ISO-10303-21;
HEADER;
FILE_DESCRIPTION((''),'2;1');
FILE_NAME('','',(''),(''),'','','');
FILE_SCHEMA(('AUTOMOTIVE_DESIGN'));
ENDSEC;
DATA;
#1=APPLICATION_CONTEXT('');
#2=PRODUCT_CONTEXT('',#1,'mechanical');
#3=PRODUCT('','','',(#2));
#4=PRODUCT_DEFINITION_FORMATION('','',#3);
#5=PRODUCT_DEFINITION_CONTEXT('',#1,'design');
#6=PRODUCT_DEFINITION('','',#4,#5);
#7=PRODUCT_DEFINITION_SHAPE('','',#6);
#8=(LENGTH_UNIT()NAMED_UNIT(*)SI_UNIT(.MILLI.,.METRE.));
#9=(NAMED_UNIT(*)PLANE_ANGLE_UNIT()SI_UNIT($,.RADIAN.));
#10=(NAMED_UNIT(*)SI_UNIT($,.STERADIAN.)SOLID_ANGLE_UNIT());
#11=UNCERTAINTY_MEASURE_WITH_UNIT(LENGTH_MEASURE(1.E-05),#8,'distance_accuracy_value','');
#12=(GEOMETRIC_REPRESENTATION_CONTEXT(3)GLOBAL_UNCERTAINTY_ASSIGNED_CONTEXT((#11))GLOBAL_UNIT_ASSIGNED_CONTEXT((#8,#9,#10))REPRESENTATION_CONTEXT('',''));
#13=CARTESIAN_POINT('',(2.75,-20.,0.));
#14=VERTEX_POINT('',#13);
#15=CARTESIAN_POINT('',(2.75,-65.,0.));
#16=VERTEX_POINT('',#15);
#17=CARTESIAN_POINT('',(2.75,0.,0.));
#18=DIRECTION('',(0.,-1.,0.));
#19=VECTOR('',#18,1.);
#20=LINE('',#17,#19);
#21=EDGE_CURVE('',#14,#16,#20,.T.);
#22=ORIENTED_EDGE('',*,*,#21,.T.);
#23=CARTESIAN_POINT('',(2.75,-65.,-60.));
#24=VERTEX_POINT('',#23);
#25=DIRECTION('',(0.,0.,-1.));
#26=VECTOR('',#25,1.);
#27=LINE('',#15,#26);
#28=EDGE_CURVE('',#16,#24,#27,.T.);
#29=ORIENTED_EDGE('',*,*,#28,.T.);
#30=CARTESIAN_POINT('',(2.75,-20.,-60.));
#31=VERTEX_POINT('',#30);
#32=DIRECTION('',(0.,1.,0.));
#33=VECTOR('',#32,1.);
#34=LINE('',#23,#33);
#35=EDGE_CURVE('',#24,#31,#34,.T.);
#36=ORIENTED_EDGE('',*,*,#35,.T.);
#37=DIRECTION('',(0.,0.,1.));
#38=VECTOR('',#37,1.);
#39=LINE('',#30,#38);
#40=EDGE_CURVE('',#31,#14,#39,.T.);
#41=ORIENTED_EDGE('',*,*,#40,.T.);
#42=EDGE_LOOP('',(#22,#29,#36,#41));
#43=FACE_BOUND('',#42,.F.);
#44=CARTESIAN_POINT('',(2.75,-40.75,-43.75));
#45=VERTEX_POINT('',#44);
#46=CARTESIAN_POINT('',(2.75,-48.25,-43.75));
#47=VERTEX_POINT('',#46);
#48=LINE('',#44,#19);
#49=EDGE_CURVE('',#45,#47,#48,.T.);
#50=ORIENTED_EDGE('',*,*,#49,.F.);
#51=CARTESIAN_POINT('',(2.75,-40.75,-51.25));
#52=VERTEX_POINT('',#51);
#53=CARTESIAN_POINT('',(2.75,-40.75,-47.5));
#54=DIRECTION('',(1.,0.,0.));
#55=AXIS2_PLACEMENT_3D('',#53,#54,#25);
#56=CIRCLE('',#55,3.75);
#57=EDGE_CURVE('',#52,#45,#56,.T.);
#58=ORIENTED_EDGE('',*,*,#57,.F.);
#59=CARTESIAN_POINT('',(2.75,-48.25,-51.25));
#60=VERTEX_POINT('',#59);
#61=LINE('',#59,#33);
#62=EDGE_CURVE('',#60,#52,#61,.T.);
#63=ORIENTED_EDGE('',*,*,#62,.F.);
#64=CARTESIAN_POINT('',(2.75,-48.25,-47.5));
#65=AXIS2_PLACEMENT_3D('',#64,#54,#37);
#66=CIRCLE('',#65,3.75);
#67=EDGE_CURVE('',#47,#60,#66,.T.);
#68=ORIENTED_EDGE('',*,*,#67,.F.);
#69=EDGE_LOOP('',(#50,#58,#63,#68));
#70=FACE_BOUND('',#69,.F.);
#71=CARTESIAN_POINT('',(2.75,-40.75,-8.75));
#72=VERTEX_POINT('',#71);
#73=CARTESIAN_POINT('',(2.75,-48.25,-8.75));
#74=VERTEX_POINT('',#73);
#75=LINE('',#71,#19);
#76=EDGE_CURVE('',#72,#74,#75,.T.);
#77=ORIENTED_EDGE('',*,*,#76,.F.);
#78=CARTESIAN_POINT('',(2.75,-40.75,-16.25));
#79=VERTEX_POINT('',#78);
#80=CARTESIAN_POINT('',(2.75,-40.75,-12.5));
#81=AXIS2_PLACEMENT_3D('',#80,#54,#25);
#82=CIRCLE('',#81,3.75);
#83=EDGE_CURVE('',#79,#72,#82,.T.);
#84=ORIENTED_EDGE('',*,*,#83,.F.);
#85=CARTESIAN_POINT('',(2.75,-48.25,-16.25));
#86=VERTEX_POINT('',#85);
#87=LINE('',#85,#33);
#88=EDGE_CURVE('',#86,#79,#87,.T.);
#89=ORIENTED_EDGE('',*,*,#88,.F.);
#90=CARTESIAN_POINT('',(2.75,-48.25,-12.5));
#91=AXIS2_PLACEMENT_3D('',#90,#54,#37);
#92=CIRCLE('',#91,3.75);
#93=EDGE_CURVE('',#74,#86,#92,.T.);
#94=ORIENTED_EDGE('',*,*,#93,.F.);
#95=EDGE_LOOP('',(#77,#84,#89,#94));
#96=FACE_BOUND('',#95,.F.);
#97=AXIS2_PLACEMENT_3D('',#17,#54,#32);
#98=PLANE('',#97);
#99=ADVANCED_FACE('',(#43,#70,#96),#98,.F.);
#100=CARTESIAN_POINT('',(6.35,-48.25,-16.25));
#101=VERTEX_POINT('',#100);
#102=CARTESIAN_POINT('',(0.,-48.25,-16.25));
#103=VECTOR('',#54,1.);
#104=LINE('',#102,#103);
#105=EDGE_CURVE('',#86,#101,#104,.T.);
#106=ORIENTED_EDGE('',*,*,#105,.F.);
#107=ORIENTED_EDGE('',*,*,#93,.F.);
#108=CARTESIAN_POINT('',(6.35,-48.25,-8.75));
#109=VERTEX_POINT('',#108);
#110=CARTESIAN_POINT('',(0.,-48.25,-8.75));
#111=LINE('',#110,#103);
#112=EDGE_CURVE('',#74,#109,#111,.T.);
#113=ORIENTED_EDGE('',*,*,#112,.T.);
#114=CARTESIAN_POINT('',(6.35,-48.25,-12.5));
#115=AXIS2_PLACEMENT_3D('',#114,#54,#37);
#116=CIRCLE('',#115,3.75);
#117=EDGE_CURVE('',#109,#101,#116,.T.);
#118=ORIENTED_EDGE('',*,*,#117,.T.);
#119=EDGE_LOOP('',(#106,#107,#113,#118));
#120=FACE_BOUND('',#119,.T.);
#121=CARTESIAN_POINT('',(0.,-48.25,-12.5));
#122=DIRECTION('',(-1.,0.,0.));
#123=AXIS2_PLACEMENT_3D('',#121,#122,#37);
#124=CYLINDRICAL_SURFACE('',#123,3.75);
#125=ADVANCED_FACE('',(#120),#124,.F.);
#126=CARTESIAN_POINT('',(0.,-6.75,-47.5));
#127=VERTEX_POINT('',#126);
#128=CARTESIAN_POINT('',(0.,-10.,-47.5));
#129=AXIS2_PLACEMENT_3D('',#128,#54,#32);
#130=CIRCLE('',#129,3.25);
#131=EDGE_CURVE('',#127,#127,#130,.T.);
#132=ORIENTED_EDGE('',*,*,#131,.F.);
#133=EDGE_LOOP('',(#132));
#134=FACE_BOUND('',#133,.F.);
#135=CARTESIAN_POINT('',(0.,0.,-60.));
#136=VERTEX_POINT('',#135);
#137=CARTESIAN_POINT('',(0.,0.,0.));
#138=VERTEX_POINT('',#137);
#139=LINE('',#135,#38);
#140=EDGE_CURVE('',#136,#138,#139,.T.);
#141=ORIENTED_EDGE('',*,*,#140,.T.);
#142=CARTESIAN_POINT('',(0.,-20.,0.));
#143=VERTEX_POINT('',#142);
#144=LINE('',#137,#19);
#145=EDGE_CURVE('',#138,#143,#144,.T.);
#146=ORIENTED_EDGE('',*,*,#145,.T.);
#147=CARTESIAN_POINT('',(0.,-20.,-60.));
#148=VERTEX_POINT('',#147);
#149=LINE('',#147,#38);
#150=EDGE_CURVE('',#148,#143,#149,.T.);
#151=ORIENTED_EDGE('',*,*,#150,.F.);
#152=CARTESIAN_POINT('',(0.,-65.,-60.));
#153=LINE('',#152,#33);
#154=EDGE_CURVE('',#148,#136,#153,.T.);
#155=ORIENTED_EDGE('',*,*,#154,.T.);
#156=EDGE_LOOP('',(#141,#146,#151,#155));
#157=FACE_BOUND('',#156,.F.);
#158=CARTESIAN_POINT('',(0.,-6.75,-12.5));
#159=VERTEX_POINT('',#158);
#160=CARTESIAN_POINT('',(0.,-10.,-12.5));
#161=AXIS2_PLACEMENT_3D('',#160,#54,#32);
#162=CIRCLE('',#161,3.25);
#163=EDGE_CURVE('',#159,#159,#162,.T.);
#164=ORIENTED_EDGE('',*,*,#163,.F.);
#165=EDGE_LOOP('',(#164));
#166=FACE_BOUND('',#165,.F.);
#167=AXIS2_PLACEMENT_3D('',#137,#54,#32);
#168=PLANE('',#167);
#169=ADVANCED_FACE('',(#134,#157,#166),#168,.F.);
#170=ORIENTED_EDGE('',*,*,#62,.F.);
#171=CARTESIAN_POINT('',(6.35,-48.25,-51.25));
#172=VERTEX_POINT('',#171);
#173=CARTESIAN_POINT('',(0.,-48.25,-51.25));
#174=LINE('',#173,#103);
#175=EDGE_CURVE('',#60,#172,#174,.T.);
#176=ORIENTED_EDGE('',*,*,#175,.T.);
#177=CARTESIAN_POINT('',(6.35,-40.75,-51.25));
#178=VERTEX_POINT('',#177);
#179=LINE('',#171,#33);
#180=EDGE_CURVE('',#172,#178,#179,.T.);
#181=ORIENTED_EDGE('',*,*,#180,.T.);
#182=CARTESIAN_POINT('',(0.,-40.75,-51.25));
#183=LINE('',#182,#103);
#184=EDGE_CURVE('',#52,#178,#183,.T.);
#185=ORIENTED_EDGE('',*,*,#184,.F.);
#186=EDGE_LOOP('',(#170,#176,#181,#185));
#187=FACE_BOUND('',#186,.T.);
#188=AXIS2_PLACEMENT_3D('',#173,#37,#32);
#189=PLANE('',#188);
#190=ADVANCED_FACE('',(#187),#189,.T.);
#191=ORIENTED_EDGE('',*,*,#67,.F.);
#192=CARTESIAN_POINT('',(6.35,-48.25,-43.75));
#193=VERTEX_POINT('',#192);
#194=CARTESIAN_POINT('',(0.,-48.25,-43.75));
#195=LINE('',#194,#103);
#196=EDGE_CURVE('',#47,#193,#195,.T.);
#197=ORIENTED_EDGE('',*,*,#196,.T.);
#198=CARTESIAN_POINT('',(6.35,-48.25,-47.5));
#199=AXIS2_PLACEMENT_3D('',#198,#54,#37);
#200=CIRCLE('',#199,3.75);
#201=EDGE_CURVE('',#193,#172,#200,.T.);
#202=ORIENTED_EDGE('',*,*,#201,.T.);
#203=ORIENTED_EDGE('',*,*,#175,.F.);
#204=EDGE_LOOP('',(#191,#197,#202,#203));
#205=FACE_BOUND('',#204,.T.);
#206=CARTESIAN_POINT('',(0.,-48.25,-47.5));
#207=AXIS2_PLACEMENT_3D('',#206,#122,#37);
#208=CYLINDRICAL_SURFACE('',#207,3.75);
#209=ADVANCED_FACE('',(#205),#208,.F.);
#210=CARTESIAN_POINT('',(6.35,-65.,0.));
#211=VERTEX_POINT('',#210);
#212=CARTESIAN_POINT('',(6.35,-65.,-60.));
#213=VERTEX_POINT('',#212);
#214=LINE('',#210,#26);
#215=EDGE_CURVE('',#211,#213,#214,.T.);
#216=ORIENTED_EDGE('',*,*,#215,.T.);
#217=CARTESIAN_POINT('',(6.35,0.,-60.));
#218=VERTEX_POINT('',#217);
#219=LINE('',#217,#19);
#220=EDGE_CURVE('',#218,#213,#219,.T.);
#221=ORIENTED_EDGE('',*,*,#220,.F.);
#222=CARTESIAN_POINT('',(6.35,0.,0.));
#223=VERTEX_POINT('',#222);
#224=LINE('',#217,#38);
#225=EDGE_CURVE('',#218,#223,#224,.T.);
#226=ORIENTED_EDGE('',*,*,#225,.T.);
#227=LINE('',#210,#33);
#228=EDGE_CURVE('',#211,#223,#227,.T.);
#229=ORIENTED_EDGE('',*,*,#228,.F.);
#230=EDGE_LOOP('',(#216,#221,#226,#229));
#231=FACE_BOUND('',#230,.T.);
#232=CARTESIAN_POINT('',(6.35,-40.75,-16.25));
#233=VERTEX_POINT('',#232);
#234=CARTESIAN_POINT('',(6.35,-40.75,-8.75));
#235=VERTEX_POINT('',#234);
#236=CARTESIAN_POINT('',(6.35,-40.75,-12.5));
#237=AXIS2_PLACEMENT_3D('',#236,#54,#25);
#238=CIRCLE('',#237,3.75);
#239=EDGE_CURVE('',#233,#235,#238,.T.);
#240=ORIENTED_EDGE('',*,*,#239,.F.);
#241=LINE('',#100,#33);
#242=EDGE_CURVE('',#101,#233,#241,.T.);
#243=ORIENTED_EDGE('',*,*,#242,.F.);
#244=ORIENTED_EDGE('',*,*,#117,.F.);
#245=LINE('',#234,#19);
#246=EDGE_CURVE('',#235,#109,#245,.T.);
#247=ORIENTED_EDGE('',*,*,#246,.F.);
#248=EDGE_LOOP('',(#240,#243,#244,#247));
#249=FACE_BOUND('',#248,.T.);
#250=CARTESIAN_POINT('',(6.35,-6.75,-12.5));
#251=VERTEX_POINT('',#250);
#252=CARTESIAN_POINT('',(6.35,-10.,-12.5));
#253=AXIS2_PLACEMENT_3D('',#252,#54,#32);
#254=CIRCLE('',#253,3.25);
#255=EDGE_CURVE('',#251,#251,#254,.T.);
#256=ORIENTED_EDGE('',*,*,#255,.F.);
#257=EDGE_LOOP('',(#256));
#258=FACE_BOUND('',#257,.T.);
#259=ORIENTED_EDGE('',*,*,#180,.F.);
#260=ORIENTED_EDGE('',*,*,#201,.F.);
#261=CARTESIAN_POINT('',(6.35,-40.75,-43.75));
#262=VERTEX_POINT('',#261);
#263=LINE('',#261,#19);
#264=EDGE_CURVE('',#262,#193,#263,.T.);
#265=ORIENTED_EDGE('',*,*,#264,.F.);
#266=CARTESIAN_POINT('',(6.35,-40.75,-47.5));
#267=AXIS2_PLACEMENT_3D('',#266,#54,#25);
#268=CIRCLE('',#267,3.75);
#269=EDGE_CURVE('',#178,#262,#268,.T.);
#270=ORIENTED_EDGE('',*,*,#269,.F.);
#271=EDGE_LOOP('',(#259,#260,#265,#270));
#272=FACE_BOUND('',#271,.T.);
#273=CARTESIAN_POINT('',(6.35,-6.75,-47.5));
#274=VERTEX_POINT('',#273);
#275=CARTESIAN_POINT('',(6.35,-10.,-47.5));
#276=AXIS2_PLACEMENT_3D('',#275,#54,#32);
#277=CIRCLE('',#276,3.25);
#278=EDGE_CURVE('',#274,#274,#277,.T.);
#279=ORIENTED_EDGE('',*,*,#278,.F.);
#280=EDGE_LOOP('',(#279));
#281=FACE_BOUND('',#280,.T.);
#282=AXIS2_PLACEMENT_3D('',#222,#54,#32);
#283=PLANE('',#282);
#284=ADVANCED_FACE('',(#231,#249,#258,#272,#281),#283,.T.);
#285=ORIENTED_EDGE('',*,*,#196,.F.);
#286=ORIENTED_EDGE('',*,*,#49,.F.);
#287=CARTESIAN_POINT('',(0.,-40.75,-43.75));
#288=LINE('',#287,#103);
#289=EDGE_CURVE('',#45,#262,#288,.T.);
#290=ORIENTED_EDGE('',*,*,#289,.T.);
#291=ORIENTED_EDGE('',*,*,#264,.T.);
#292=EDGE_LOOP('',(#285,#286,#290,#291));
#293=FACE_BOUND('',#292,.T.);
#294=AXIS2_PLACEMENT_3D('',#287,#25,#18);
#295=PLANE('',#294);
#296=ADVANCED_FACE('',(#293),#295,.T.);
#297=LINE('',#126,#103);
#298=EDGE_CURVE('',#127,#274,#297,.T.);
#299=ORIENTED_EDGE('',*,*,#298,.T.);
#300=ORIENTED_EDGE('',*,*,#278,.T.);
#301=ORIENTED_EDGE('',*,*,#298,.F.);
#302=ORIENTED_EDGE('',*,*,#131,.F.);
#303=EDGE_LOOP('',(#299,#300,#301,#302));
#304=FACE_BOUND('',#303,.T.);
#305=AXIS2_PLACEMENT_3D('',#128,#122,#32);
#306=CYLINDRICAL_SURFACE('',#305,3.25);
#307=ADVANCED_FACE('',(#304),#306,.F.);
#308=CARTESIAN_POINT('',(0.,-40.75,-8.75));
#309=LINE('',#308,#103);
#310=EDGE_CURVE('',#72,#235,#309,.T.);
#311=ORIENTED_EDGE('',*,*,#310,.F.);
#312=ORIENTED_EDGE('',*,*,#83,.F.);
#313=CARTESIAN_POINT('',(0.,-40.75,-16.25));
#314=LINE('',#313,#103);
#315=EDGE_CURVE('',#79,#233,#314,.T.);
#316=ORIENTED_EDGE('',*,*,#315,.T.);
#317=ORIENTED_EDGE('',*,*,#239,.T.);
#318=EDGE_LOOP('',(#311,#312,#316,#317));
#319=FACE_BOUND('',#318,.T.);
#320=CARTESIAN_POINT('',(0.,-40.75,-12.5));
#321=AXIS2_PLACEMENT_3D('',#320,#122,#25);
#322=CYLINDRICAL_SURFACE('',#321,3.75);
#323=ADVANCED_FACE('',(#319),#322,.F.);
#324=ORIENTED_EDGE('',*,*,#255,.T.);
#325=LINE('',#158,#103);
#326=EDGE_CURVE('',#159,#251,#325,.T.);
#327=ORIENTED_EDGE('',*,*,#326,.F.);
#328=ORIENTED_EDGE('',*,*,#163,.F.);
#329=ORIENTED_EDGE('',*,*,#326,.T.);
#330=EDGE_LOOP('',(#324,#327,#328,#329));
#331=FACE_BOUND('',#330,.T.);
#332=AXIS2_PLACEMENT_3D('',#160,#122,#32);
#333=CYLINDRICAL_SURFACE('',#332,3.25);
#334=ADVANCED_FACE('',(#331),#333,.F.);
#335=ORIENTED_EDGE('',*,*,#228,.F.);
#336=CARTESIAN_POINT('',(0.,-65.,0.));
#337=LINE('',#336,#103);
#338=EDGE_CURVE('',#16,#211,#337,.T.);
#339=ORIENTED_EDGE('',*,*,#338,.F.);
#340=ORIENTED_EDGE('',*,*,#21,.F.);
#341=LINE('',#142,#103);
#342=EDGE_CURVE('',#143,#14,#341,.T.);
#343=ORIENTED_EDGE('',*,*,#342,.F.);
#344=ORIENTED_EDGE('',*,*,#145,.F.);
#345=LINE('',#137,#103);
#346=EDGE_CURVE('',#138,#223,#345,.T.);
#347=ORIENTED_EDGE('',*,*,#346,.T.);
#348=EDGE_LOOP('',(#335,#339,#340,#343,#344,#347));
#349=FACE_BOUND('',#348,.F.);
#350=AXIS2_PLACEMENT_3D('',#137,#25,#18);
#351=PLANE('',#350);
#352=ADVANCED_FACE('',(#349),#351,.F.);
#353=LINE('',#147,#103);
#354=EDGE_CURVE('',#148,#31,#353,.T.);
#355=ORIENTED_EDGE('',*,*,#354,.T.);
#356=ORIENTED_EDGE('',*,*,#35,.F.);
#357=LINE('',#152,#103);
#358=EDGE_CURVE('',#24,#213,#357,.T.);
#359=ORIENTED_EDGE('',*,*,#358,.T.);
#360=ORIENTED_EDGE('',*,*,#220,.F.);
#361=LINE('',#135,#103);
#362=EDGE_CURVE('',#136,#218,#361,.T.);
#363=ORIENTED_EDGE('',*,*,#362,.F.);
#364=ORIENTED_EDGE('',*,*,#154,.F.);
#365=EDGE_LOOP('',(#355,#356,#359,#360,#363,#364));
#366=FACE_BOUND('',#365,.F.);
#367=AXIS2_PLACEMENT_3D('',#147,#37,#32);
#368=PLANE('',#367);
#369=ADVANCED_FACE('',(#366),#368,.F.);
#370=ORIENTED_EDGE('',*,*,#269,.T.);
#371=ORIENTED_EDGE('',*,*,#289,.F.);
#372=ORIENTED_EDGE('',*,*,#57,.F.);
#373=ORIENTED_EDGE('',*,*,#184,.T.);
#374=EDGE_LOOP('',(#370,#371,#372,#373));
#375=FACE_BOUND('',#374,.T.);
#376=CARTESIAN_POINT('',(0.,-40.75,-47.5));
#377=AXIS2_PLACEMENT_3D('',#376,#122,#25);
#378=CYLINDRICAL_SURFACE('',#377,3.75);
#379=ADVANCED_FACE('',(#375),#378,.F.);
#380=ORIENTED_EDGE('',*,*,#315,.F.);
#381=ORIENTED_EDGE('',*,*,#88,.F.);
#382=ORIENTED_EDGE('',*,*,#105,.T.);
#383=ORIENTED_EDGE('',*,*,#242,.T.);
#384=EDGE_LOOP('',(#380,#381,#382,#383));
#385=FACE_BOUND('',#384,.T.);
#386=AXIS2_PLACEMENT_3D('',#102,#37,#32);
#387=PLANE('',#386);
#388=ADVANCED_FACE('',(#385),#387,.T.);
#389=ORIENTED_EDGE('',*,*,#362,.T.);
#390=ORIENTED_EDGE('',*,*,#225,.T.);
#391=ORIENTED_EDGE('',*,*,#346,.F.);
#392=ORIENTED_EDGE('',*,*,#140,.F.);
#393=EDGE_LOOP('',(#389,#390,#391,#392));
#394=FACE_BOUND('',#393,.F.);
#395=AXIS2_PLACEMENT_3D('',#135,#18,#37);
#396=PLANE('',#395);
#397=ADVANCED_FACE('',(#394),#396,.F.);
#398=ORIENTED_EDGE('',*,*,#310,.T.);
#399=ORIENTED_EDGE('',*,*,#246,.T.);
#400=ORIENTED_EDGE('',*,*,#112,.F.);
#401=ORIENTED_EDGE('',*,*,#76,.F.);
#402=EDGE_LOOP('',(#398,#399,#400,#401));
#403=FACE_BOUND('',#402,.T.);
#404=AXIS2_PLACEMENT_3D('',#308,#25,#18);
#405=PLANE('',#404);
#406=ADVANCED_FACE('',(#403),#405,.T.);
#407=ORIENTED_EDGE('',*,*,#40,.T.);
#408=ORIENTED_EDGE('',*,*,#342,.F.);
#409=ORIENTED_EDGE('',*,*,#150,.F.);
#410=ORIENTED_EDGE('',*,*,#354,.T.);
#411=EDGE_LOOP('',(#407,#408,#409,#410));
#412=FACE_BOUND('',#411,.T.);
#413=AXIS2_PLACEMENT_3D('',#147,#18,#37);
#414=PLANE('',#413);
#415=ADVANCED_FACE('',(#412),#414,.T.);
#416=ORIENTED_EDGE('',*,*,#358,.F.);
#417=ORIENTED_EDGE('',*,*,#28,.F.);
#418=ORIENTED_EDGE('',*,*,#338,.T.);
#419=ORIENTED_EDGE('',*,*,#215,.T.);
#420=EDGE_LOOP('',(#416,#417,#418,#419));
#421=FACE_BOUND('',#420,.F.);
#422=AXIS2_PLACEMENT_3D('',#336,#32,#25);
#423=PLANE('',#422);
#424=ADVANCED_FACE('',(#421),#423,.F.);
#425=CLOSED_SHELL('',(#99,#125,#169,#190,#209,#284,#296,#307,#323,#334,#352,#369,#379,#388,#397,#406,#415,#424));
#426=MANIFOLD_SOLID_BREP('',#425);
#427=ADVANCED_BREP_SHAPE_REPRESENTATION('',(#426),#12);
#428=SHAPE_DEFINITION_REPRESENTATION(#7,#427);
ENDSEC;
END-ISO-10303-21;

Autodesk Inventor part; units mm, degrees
ref_plane "YZ Plane" through (0, 0, 0) normal (1, 0, 0) x (0, 1, 0)
ref_plane "XZ Plane" through (0, 0, 0) normal (0, 1, 0) x (-1, 0, 0)
ref_plane "XY Plane" through (0, 0, 0) normal (0, 0, 1) x (1, 0, 0)
sketch "Sketch1" plane through (0, 0, 0) normal (1, 0, 0) x (0, 1, 0)
  line L0 (0, 0) -> (-65, 0)
  line L1 (-65, 0) -> (-65, -60)
  line L2 (-65, -60) -> (0, -60)
  line L3 (0, -60) -> (0, 0)
  line L4 (-40.75, -8.75) -> (-48.25, -8.75)
  line L5 (-48.25, -8.75) -> (-48.25, -16.25)
  line L6 (-48.25, -16.25) -> (-40.75, -16.25)
  line L7 (-40.75, -16.25) -> (-40.75, -8.75)
  arc A0 (-40.75, -16.25) -> (-40.75, -8.75) centre (-40.75, -12.5) ccw
  arc A1 (-48.25, -8.75) -> (-48.25, -16.25) centre (-48.25, -12.5) ccw
  line L8 (-40.75, -43.75) -> (-48.25, -43.75)
  line L9 (-48.25, -43.75) -> (-48.25, -51.25)
  line L10 (-48.25, -51.25) -> (-40.75, -51.25)
  line L11 (-40.75, -51.25) -> (-40.75, -43.75)
  arc A2 (-40.75, -51.25) -> (-40.75, -43.75) centre (-40.75, -47.5) ccw
  arc A3 (-48.25, -43.75) -> (-48.25, -51.25) centre (-48.25, -47.5) ccw
  circle A4 centre (-10, -12.5) radius 3.25
  circle A5 centre (-10, -47.5) radius 3.25
  line L12 (-20, 0) -> (-65, 0)
  line L13 (-65, 0) -> (-65, -60)
  line L14 (-65, -60) -> (-20, -60)
  line L15 (-20, -60) -> (-20, 0)
  point P0 (-20, -60)
  dimension "d1" = 60
  dimension "d4" = 7.5
  dimension "d5" = 7.5
  dimension "d8" = 8.75
  dimension "d10" = 35
  dimension "d15" = 10
  dimension "d16" = 6.5
  dimension "d17" = 6.5
  dimension "d18" = 30.75
  dimension "d19" = 65
  dimension "d20" = 7.5
  dimension "d21" = 20
extrude "Extrusion1" add sketch "Sketch1" along normal blind 6.35
extrude "Extrusion2" cut sketch "Sketch1" along normal blind 2.75 contours L15 L2 L1 L0
equation "\"d5\" = d4"
equation "\"d8\" = -0.5 * d4 + 0.5 * d1 - 0.5 * d10"
equation "\"d17\" = d16"
properties part number "mounting bracket 2"
